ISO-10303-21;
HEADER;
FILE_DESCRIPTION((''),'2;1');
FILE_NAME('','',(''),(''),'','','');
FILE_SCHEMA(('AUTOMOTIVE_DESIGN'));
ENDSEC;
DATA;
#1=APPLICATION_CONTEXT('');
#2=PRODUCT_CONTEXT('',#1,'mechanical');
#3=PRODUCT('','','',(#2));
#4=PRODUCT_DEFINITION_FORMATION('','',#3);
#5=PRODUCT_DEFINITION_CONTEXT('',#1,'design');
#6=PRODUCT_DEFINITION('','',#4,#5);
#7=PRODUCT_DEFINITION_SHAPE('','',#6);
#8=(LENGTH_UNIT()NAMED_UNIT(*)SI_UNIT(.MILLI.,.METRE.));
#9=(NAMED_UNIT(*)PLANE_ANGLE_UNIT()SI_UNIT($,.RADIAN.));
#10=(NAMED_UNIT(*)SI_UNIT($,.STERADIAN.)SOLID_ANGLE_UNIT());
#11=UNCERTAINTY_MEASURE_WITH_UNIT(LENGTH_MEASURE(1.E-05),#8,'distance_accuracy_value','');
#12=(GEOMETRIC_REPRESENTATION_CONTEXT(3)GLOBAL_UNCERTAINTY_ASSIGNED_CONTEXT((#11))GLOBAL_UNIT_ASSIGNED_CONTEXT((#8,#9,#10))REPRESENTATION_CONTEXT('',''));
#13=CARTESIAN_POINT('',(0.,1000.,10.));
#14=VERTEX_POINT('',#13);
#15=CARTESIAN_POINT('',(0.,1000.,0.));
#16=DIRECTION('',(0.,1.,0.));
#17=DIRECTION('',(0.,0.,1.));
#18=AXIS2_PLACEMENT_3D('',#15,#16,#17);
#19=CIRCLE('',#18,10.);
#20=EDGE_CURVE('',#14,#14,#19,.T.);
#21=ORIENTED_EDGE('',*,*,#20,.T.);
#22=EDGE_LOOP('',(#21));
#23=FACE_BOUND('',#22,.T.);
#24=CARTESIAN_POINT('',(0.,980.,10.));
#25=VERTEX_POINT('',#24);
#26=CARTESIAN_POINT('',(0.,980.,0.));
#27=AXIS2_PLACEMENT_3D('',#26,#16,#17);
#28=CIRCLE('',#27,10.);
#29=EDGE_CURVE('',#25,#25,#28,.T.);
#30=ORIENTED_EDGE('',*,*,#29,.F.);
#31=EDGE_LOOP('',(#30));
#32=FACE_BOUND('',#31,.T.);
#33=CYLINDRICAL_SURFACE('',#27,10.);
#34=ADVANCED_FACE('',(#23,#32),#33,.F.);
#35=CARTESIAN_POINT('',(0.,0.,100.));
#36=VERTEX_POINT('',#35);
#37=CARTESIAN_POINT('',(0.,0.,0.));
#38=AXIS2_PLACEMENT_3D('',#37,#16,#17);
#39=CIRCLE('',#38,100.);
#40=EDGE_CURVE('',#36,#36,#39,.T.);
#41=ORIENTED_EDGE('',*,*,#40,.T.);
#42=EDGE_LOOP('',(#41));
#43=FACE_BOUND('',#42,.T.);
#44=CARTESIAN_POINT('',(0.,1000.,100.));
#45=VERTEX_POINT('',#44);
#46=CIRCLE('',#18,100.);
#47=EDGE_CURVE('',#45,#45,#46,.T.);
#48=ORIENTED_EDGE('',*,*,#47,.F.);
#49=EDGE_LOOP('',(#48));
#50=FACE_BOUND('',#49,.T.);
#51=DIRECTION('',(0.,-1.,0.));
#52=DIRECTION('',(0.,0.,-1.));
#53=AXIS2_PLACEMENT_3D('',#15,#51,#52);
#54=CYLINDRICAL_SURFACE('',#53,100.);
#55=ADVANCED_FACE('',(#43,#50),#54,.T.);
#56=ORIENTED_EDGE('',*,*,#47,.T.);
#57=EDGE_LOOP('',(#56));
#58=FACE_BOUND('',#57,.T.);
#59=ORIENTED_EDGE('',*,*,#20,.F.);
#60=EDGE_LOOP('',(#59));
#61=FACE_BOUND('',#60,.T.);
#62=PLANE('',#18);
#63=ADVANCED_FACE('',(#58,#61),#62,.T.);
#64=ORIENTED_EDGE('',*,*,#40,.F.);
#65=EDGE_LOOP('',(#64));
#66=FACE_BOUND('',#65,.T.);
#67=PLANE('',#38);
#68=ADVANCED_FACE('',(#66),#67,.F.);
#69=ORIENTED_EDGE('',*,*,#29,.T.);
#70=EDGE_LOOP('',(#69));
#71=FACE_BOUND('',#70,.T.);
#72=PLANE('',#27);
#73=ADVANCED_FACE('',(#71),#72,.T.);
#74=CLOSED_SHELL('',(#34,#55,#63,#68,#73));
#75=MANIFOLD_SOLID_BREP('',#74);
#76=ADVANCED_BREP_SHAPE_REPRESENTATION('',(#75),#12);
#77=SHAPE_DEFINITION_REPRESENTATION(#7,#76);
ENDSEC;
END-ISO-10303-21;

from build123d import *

# Parameters (mm, degrees)
SKETCH1_R           = 100
BOSS_EXTRUDE2_DEPTH = 1000
SKETCH2_R           = 10
CUT_EXTRUDE1_DEPTH  = 20


with BuildPart() as part:
    # Sketch1 → Boss-Extrude2 (new body)
    with BuildSketch(Plane(origin=(0, 0, 0), x_dir=(1, 0, 0), z_dir=(0, 1, 0))):
        Circle(SKETCH1_R)
    extrude(amount=BOSS_EXTRUDE2_DEPTH)

    # Sketch2 → Cut-Extrude1 (cut)
    with BuildSketch(Plane(origin=(0, 1000, 0), x_dir=(1, 0, 0), z_dir=(0, 1, 0))):
        Circle(SKETCH2_R)
    extrude(amount=-CUT_EXTRUDE1_DEPTH, mode=Mode.SUBTRACT)


solid = part.part
